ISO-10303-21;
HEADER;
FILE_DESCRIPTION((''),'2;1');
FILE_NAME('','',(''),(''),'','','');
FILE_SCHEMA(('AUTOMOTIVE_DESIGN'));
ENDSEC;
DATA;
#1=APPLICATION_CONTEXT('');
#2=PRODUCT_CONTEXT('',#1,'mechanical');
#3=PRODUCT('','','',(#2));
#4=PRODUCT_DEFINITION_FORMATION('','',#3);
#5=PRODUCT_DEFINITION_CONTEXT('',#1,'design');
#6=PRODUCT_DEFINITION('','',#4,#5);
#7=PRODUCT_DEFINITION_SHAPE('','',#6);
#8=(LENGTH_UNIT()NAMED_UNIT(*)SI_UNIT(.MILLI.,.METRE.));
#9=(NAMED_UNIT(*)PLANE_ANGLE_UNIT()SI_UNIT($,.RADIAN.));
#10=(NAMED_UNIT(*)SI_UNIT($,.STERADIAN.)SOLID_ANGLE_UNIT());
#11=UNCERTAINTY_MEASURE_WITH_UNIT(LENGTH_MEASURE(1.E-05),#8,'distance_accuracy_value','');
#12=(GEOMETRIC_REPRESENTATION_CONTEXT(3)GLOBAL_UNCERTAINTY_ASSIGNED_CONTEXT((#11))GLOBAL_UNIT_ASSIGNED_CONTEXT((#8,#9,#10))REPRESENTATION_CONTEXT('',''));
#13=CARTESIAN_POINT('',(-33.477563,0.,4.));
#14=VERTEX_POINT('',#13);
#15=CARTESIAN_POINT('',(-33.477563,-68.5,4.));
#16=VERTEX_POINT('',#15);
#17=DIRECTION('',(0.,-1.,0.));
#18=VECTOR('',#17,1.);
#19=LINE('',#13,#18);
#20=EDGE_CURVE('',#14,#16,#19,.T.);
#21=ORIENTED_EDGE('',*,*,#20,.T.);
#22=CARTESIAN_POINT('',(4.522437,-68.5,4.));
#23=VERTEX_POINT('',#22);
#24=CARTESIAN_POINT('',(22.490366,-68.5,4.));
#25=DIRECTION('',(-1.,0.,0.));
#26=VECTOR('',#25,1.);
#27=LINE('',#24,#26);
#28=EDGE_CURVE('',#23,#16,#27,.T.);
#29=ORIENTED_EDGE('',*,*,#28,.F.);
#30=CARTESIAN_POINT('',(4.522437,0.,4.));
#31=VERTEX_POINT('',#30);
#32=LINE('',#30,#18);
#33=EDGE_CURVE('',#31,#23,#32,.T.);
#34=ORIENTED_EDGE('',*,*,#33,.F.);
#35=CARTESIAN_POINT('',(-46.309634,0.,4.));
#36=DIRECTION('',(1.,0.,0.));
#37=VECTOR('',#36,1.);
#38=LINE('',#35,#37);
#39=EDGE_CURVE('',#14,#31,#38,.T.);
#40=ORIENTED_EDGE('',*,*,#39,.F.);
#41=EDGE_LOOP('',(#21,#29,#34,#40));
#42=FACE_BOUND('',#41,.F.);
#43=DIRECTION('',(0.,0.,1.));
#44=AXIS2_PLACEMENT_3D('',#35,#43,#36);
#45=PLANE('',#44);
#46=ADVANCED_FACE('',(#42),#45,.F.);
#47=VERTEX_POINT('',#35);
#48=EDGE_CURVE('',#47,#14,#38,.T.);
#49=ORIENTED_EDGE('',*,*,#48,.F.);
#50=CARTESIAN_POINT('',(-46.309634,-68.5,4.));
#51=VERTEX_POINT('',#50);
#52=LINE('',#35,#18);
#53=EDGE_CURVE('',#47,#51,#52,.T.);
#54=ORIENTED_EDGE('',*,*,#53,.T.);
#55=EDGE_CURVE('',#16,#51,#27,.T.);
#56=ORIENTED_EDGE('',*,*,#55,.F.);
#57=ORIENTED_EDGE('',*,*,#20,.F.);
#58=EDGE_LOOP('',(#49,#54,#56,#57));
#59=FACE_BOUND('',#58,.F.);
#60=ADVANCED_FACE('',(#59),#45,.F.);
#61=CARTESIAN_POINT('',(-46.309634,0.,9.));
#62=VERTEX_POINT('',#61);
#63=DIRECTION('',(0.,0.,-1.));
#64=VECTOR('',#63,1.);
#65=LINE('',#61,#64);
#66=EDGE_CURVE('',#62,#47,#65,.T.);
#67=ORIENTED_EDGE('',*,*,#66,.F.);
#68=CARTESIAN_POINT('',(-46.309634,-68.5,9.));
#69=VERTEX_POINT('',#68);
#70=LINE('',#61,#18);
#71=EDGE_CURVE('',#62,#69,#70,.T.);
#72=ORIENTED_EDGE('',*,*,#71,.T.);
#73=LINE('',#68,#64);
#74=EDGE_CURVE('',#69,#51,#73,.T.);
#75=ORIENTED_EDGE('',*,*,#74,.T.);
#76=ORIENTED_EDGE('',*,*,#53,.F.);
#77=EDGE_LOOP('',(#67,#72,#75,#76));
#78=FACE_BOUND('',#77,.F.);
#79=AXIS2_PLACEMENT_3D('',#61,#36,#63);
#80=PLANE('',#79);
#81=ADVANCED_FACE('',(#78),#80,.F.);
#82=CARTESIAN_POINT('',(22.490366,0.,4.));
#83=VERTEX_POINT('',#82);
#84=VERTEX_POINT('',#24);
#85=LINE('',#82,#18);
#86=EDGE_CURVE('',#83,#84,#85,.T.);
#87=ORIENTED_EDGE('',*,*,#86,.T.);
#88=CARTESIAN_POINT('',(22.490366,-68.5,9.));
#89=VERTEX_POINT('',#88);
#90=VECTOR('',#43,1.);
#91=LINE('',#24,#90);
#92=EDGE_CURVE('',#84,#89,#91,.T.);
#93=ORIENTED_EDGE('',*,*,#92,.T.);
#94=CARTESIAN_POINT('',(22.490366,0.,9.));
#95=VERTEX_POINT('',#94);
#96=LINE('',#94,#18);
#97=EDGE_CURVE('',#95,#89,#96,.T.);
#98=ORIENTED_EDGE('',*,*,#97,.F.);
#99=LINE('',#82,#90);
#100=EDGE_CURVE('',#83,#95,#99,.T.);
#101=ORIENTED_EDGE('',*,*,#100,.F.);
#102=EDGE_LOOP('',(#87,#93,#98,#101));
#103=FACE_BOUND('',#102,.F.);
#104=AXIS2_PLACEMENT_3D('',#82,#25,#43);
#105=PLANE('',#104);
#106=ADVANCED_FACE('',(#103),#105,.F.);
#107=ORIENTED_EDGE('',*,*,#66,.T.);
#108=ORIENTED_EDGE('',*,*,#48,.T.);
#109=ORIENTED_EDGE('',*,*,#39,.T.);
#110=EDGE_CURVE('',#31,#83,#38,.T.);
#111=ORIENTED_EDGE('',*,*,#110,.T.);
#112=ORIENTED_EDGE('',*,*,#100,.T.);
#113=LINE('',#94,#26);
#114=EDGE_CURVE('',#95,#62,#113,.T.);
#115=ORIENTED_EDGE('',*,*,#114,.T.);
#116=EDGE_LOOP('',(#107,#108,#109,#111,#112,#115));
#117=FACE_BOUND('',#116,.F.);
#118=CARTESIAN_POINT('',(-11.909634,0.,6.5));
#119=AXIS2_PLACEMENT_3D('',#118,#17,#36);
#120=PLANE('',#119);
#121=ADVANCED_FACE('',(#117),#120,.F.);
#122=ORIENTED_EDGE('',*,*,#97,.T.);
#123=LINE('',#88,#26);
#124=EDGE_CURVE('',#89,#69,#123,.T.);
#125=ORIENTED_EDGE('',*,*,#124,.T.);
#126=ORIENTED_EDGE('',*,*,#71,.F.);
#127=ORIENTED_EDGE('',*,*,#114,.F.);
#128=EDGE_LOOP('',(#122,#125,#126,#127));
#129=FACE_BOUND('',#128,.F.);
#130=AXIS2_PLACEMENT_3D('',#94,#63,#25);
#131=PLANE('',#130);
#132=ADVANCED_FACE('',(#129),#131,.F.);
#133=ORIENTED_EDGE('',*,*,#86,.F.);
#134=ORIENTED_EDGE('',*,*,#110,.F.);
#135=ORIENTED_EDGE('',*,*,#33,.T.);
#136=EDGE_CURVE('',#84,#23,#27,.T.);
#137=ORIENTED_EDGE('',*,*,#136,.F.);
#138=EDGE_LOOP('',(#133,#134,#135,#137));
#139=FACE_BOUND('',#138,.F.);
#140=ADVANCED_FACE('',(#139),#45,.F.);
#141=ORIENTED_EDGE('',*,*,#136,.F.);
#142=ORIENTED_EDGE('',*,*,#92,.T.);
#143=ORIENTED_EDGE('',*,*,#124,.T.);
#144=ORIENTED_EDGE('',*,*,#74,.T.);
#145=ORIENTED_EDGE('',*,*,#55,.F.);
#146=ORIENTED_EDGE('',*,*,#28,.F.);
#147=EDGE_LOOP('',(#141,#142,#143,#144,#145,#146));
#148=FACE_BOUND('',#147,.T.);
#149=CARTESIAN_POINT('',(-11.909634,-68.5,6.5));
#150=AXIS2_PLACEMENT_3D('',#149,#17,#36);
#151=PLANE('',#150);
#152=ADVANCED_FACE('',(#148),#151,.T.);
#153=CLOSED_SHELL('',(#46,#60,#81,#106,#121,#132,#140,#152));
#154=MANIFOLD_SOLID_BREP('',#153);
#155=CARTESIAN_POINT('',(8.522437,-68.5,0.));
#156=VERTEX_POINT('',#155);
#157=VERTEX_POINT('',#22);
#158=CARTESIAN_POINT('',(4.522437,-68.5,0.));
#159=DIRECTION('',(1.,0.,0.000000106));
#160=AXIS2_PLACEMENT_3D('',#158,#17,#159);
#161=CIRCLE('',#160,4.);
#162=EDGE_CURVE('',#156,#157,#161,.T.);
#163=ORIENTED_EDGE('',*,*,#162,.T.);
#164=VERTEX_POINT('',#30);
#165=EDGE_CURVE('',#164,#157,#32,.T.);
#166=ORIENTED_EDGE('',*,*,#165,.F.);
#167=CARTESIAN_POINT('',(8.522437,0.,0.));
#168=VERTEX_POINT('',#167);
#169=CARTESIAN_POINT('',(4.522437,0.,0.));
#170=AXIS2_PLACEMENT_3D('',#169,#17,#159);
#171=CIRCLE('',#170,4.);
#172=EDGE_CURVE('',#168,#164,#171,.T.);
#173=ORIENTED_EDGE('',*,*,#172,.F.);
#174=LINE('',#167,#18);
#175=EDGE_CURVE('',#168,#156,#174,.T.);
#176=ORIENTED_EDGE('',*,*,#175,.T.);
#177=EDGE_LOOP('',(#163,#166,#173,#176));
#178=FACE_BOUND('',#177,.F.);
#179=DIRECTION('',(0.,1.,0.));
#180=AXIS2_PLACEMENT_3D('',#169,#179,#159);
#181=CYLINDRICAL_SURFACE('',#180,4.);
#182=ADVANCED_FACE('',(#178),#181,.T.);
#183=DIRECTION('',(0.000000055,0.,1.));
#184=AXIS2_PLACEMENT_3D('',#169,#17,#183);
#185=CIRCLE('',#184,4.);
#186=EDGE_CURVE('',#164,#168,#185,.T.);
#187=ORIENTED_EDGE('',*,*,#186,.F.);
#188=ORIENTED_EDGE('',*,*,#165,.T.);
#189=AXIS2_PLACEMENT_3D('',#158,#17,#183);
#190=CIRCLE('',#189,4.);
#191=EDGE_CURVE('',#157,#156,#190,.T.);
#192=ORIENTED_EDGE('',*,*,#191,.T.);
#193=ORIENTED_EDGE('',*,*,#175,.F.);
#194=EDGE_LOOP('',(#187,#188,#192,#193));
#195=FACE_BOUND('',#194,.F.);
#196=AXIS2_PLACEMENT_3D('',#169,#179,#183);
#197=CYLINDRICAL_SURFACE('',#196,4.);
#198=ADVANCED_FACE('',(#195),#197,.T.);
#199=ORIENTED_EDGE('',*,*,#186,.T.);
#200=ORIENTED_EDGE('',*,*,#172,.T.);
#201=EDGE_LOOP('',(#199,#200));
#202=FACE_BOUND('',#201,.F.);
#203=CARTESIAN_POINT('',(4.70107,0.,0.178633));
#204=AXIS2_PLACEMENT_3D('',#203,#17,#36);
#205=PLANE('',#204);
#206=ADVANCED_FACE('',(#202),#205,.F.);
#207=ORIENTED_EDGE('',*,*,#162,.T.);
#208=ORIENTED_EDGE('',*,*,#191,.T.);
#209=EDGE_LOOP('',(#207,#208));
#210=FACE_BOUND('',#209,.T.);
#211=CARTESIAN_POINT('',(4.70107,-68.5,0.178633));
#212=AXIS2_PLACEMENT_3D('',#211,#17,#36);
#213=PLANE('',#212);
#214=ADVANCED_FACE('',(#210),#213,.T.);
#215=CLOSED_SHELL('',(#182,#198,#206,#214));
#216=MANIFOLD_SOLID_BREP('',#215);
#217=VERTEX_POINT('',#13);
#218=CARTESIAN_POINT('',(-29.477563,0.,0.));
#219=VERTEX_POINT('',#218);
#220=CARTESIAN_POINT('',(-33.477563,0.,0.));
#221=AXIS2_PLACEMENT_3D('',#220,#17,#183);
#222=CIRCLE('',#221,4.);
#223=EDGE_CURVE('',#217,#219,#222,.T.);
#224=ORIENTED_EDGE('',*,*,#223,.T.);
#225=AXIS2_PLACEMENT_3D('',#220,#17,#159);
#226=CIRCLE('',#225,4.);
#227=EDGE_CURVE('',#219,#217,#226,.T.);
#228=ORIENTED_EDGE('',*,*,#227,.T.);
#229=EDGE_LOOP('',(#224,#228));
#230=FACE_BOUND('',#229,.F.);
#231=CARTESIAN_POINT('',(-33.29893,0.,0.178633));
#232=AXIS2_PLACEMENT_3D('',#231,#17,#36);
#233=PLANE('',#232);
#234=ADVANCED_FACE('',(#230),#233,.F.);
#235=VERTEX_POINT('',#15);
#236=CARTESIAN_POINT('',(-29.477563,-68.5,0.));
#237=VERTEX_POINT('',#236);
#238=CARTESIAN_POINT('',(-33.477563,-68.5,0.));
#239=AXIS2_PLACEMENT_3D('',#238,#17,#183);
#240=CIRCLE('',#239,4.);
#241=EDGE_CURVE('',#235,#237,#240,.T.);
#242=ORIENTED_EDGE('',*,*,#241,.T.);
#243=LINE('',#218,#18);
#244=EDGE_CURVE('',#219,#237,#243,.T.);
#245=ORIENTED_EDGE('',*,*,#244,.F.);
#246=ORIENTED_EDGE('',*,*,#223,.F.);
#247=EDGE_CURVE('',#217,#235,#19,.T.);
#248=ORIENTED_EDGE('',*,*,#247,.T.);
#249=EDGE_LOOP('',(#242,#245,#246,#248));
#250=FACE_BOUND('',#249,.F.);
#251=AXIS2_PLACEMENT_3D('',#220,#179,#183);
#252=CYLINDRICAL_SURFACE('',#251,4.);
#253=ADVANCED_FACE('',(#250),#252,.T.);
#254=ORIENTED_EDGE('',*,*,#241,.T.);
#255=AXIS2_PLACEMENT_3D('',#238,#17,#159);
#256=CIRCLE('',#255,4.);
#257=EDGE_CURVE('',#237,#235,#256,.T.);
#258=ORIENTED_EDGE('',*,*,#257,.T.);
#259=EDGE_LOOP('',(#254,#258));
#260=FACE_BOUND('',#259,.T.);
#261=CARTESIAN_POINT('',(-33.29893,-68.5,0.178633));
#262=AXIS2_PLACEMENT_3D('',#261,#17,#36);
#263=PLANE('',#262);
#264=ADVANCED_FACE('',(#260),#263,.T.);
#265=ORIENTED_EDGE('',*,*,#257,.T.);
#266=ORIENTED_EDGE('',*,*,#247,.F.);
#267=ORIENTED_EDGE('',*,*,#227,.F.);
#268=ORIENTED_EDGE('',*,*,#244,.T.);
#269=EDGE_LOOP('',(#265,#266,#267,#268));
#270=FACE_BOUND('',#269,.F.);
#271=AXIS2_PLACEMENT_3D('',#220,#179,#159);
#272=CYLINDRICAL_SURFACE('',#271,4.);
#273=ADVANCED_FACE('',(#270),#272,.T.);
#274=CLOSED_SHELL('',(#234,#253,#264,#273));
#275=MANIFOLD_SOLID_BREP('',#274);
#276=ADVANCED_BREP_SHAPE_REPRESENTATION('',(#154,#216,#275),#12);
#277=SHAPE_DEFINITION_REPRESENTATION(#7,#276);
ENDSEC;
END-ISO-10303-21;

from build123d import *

# Parameters (mm, degrees)
F1_DEPTH = 68.5


with BuildPart() as f1:
    # F0 (on Front) → F1 (new body)
    with BuildSketch(Plane.XZ):
        with BuildLine():
            ThreePointArc((-33.477563, 4), (-36.305991, -2.828427), (-29.477563, 0))
            ThreePointArc((-29.477563, 0), (-30.649136, 2.828427), (-33.477563, 4))
        make_face()
        with BuildLine():
            ThreePointArc((8.522437, 0), (7.350864, 2.828427), (4.522437, 4))
            ThreePointArc((4.522437, 4), (1.694009, -2.828427), (8.522437, 0))
        make_face()
        Polygon((-46.309634, 4), (-33.477563, 4), (4.522437, 4), (22.490366, 4), (22.490366, 9), (-46.309634, 9), align=None)
    extrude(amount=F1_DEPTH)


solid = f1.part
